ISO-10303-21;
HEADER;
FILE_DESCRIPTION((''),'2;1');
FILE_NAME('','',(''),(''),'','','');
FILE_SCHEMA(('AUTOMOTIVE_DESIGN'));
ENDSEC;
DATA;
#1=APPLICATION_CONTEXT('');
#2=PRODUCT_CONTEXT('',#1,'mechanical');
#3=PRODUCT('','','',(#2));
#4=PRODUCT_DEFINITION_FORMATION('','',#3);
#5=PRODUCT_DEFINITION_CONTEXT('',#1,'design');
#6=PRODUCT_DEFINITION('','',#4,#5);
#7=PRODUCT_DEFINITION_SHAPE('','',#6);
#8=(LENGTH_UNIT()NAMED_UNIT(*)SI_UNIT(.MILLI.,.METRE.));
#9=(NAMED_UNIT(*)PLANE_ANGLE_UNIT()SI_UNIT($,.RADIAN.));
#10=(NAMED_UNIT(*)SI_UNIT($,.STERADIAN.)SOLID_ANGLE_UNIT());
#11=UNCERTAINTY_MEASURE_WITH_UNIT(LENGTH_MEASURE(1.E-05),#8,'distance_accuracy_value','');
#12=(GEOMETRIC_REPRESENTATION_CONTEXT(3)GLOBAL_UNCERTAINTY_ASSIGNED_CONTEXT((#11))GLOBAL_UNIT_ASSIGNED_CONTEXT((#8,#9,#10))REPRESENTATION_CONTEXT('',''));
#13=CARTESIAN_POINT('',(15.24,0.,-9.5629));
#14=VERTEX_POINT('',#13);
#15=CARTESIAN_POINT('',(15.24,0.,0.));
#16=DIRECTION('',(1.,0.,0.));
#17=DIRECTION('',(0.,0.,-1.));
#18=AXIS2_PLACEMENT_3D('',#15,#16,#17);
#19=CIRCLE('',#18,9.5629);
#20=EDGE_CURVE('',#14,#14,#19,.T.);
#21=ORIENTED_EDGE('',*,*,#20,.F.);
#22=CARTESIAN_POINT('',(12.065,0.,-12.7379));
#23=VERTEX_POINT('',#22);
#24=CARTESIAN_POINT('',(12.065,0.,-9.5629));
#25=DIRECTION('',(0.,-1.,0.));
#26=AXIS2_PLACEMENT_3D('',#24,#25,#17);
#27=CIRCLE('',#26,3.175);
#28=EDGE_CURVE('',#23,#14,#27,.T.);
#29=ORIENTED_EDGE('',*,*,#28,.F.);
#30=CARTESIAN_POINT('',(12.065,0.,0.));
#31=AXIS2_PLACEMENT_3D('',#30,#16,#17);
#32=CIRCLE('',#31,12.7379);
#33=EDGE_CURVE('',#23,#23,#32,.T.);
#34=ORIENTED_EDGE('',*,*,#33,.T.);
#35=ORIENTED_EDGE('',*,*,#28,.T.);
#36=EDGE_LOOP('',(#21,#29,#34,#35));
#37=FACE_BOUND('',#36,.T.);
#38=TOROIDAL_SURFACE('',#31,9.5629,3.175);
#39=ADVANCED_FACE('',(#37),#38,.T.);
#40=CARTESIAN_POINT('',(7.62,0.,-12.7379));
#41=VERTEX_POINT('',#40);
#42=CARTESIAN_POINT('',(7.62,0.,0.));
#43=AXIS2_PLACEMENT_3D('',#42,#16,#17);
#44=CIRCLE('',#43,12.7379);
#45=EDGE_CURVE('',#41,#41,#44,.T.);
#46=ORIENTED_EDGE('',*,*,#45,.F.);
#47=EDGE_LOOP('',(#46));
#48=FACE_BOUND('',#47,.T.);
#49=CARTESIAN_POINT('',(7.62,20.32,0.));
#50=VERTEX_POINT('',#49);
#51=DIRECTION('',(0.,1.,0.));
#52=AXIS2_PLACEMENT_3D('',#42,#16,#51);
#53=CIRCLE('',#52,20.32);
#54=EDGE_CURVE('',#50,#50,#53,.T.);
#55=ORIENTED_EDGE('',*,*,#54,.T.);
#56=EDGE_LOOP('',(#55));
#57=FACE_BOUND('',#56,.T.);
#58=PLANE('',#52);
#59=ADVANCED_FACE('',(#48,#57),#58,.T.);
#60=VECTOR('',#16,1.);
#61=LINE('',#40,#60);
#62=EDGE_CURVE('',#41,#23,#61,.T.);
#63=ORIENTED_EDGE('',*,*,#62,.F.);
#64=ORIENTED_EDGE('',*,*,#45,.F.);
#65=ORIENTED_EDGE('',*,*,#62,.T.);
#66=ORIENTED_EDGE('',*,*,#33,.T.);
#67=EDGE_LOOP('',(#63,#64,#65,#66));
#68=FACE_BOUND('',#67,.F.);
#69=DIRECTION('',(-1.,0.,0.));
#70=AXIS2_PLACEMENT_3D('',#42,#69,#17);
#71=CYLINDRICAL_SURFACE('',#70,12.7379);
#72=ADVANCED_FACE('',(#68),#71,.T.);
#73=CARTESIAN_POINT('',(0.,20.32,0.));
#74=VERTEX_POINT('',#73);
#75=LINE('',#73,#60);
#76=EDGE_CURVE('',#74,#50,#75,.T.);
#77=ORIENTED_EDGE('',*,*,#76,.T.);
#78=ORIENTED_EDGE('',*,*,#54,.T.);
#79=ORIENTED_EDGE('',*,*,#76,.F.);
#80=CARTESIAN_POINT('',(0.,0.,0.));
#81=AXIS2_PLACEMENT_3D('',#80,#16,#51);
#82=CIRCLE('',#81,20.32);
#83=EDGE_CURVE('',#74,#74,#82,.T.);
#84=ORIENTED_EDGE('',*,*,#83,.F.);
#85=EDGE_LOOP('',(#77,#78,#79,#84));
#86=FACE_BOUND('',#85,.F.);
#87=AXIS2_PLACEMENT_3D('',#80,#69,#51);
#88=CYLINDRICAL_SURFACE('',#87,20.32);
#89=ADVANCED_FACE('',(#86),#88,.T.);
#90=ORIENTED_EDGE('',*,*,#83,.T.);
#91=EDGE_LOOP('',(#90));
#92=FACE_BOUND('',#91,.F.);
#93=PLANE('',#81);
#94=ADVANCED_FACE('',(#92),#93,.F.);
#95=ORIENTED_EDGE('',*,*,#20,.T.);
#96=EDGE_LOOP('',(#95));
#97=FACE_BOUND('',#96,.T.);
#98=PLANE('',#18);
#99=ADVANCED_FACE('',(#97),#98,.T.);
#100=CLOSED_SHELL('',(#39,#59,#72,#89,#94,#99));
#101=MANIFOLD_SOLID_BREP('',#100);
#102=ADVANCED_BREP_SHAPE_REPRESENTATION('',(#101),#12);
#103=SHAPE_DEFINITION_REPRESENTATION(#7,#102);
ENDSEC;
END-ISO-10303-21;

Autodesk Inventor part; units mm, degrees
ref_plane "YZ Plane" through (0, 0, 0) normal (1, 0, 0) x (0, 1, 0)
ref_plane "XZ Plane" through (0, 0, 0) normal (0, 1, 0) x (-1, 0, 0)
ref_plane "XY Plane" through (0, 0, 0) normal (0, 0, 1) x (1, 0, 0)
sketch "Sketch1" plane through (0, 0, 0) normal (1, 0, 0) x (0, 1, 0)
  circle A0 centre (0, 0) radius 20.32
extrude "Extrusion1" add sketch "Sketch1" along normal blind 7.62
sketch "Sketch2" plane through (7.62, 0, 0) normal (1, 0, 0) x (0, 0, -1)
  circle A0 centre (0, 0) radius 12.7379
extrude "Extrusion2" add sketch "Sketch2" along normal blind 7.62
fillet "Fillet1" radius 3.175 1 edges at (15.24, 0, 12.7379)
properties part number "Button"
